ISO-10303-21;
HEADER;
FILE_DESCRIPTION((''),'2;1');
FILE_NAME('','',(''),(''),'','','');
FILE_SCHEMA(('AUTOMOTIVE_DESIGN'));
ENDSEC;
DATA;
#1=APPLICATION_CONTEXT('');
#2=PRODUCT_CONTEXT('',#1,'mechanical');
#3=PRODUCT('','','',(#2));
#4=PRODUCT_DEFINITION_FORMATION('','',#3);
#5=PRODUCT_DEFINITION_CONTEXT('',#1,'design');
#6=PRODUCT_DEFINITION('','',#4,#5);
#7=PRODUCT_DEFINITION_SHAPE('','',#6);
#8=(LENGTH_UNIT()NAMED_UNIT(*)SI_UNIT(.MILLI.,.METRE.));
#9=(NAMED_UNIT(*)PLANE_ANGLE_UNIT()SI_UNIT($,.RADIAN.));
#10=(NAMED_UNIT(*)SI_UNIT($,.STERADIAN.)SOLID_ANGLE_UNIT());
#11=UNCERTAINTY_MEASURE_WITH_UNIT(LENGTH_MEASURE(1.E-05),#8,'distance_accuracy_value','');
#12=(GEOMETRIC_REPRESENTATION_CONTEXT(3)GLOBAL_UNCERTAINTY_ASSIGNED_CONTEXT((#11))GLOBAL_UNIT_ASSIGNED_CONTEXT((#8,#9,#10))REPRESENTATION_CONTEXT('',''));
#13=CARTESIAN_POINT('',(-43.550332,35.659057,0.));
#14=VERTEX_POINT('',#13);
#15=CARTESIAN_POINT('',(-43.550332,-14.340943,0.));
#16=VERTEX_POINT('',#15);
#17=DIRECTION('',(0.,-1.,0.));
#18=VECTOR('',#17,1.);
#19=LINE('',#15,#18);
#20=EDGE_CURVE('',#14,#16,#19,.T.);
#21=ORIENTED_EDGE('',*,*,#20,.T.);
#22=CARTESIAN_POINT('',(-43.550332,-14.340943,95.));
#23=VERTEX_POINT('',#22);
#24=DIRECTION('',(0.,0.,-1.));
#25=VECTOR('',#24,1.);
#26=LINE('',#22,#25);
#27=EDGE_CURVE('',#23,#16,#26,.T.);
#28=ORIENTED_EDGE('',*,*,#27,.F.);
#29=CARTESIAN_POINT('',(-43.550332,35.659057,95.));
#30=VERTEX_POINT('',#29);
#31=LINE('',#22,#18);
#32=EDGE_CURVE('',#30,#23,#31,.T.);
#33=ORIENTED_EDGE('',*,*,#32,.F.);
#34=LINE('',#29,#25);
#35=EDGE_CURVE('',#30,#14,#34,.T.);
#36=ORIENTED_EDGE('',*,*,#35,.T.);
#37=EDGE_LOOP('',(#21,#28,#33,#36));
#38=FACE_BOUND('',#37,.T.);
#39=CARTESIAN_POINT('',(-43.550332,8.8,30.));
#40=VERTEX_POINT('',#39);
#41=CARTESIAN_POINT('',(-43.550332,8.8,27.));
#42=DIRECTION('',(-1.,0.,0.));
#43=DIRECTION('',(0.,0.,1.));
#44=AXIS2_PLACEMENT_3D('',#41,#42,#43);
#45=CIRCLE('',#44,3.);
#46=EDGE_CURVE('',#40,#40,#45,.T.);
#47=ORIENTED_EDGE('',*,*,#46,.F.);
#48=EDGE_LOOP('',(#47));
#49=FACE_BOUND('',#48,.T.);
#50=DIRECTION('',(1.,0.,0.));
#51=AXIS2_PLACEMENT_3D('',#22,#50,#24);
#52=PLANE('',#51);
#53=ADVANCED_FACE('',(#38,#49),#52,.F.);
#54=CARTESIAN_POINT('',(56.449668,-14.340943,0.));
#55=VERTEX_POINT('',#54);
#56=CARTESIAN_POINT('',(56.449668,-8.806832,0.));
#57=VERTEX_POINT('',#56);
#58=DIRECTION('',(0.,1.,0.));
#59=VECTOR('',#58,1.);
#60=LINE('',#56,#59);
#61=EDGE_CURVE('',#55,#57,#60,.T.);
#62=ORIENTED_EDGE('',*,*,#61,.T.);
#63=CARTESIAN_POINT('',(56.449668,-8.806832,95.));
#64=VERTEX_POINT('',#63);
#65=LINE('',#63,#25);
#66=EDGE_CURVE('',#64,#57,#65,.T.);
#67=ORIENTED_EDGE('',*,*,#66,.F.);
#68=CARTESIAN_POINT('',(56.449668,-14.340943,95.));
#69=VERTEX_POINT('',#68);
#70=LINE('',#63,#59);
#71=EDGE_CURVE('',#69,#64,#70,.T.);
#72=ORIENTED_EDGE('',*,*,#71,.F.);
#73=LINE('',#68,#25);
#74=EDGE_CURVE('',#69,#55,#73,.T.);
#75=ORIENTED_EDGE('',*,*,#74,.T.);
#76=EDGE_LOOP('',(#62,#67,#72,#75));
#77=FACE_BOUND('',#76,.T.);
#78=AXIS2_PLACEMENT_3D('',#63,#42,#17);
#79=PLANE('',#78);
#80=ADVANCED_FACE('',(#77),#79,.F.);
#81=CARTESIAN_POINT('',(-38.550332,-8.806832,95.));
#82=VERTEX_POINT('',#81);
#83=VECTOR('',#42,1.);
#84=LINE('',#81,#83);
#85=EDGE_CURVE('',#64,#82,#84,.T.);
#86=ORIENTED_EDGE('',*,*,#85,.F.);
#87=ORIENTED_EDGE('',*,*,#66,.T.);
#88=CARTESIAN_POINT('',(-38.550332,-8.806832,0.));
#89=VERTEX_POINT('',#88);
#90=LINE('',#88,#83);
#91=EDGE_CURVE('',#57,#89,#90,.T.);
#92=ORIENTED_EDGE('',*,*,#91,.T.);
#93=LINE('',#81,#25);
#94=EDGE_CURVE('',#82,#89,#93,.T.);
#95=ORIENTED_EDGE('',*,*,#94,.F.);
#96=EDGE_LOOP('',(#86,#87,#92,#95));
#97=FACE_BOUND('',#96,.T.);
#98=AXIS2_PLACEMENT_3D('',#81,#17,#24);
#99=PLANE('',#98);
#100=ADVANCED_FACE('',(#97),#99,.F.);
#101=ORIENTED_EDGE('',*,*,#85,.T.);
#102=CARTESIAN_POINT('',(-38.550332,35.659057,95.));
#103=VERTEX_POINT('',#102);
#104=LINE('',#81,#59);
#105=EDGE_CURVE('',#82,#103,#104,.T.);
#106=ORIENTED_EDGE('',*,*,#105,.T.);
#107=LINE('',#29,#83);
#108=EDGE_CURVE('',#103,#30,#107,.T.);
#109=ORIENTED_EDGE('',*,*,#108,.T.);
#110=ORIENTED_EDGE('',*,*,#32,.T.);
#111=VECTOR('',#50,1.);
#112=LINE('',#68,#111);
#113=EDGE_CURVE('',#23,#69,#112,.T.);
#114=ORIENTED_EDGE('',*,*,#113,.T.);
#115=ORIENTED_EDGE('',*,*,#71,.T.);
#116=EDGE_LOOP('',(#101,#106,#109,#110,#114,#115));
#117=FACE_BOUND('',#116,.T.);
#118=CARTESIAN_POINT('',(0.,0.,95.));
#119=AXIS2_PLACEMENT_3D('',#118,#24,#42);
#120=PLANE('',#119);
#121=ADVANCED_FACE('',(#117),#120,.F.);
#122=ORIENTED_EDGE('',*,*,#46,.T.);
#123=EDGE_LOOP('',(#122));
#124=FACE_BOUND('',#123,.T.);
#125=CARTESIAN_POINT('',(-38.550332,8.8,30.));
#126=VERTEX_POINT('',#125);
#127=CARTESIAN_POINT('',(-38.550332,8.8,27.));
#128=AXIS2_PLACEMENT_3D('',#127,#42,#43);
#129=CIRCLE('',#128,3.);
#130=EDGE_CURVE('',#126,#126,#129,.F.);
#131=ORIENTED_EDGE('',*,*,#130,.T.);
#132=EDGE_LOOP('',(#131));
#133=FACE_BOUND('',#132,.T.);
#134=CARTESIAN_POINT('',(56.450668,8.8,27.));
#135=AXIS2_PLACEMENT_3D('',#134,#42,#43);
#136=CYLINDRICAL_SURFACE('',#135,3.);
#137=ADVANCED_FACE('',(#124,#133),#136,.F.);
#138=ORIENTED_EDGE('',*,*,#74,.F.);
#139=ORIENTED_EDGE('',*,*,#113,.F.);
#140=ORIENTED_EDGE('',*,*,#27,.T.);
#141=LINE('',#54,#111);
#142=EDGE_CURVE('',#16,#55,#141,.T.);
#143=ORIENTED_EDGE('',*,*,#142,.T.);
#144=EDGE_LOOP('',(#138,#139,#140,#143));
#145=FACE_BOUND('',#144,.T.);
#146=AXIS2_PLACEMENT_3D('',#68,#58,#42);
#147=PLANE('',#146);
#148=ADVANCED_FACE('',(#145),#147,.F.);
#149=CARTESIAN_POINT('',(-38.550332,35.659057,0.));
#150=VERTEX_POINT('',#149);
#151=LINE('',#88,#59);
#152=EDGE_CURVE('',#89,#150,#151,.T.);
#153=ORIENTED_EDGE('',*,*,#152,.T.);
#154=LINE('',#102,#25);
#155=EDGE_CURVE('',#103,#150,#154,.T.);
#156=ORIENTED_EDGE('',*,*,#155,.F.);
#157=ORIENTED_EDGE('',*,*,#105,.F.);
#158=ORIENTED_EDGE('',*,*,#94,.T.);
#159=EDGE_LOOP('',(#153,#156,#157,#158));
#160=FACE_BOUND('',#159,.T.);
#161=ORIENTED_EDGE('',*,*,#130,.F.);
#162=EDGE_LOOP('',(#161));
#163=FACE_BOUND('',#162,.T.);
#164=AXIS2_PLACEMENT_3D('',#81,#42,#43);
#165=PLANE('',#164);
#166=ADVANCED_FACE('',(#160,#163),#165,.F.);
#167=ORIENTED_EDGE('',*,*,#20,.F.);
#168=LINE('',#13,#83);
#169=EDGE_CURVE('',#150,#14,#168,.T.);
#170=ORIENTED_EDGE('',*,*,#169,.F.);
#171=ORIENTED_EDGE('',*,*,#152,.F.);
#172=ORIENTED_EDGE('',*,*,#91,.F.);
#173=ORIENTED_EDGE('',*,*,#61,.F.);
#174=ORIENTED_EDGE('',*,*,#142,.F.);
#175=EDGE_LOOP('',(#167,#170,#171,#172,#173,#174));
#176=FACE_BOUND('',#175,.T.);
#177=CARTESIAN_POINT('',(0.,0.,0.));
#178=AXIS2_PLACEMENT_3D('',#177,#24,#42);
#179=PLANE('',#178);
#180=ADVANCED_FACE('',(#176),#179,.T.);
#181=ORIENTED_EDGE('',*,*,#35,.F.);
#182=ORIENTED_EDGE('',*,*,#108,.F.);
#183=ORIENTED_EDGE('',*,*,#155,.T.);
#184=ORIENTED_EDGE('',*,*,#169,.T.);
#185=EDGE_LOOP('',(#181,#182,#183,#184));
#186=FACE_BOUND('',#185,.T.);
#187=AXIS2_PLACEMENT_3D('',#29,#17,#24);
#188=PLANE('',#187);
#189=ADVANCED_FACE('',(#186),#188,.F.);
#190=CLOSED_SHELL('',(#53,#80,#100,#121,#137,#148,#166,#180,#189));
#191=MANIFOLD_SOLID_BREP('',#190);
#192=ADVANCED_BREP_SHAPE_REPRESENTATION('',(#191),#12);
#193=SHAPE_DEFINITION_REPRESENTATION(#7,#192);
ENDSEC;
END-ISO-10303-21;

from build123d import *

# Parameters (mm, degrees)
EXTRUDE_1_DEPTH     = 95
CUT_EXTRUDE_1_REACH = 144.466
SKETCH_2_R          = 3


with BuildPart() as part:
    # 草图1 → 凸台-拉伸1 (new body)
    with BuildSketch(Plane.XY):
        Polygon((-43.550332336, 35.659057411), (-38.550332336, 35.659057411), (-38.550332336, -8.806832193), (56.449667664, -8.806832193), (56.449667664, -14.340942589), (-43.550332336, -14.340942589), align=None)
    extrude(amount=EXTRUDE_1_DEPTH)

    # 草图2 → 切除-拉伸1 (cut, up to next)
    with BuildSketch(Plane.ZY.offset(43.550332336), mode=Mode.PRIVATE) as cut_extrude_1_sk1:
        with Locations((27, 8.8)):
            Circle(SKETCH_2_R)
    cut_extrude_1_tool1 = extrude(cut_extrude_1_sk1.sketch, amount=-CUT_EXTRUDE_1_REACH, mode=Mode.PRIVATE) & part.part
    add(cut_extrude_1_tool1.solids().sort_by_distance((-43.550332, 8.8, 27))[0], mode=Mode.SUBTRACT)


solid = part.part
